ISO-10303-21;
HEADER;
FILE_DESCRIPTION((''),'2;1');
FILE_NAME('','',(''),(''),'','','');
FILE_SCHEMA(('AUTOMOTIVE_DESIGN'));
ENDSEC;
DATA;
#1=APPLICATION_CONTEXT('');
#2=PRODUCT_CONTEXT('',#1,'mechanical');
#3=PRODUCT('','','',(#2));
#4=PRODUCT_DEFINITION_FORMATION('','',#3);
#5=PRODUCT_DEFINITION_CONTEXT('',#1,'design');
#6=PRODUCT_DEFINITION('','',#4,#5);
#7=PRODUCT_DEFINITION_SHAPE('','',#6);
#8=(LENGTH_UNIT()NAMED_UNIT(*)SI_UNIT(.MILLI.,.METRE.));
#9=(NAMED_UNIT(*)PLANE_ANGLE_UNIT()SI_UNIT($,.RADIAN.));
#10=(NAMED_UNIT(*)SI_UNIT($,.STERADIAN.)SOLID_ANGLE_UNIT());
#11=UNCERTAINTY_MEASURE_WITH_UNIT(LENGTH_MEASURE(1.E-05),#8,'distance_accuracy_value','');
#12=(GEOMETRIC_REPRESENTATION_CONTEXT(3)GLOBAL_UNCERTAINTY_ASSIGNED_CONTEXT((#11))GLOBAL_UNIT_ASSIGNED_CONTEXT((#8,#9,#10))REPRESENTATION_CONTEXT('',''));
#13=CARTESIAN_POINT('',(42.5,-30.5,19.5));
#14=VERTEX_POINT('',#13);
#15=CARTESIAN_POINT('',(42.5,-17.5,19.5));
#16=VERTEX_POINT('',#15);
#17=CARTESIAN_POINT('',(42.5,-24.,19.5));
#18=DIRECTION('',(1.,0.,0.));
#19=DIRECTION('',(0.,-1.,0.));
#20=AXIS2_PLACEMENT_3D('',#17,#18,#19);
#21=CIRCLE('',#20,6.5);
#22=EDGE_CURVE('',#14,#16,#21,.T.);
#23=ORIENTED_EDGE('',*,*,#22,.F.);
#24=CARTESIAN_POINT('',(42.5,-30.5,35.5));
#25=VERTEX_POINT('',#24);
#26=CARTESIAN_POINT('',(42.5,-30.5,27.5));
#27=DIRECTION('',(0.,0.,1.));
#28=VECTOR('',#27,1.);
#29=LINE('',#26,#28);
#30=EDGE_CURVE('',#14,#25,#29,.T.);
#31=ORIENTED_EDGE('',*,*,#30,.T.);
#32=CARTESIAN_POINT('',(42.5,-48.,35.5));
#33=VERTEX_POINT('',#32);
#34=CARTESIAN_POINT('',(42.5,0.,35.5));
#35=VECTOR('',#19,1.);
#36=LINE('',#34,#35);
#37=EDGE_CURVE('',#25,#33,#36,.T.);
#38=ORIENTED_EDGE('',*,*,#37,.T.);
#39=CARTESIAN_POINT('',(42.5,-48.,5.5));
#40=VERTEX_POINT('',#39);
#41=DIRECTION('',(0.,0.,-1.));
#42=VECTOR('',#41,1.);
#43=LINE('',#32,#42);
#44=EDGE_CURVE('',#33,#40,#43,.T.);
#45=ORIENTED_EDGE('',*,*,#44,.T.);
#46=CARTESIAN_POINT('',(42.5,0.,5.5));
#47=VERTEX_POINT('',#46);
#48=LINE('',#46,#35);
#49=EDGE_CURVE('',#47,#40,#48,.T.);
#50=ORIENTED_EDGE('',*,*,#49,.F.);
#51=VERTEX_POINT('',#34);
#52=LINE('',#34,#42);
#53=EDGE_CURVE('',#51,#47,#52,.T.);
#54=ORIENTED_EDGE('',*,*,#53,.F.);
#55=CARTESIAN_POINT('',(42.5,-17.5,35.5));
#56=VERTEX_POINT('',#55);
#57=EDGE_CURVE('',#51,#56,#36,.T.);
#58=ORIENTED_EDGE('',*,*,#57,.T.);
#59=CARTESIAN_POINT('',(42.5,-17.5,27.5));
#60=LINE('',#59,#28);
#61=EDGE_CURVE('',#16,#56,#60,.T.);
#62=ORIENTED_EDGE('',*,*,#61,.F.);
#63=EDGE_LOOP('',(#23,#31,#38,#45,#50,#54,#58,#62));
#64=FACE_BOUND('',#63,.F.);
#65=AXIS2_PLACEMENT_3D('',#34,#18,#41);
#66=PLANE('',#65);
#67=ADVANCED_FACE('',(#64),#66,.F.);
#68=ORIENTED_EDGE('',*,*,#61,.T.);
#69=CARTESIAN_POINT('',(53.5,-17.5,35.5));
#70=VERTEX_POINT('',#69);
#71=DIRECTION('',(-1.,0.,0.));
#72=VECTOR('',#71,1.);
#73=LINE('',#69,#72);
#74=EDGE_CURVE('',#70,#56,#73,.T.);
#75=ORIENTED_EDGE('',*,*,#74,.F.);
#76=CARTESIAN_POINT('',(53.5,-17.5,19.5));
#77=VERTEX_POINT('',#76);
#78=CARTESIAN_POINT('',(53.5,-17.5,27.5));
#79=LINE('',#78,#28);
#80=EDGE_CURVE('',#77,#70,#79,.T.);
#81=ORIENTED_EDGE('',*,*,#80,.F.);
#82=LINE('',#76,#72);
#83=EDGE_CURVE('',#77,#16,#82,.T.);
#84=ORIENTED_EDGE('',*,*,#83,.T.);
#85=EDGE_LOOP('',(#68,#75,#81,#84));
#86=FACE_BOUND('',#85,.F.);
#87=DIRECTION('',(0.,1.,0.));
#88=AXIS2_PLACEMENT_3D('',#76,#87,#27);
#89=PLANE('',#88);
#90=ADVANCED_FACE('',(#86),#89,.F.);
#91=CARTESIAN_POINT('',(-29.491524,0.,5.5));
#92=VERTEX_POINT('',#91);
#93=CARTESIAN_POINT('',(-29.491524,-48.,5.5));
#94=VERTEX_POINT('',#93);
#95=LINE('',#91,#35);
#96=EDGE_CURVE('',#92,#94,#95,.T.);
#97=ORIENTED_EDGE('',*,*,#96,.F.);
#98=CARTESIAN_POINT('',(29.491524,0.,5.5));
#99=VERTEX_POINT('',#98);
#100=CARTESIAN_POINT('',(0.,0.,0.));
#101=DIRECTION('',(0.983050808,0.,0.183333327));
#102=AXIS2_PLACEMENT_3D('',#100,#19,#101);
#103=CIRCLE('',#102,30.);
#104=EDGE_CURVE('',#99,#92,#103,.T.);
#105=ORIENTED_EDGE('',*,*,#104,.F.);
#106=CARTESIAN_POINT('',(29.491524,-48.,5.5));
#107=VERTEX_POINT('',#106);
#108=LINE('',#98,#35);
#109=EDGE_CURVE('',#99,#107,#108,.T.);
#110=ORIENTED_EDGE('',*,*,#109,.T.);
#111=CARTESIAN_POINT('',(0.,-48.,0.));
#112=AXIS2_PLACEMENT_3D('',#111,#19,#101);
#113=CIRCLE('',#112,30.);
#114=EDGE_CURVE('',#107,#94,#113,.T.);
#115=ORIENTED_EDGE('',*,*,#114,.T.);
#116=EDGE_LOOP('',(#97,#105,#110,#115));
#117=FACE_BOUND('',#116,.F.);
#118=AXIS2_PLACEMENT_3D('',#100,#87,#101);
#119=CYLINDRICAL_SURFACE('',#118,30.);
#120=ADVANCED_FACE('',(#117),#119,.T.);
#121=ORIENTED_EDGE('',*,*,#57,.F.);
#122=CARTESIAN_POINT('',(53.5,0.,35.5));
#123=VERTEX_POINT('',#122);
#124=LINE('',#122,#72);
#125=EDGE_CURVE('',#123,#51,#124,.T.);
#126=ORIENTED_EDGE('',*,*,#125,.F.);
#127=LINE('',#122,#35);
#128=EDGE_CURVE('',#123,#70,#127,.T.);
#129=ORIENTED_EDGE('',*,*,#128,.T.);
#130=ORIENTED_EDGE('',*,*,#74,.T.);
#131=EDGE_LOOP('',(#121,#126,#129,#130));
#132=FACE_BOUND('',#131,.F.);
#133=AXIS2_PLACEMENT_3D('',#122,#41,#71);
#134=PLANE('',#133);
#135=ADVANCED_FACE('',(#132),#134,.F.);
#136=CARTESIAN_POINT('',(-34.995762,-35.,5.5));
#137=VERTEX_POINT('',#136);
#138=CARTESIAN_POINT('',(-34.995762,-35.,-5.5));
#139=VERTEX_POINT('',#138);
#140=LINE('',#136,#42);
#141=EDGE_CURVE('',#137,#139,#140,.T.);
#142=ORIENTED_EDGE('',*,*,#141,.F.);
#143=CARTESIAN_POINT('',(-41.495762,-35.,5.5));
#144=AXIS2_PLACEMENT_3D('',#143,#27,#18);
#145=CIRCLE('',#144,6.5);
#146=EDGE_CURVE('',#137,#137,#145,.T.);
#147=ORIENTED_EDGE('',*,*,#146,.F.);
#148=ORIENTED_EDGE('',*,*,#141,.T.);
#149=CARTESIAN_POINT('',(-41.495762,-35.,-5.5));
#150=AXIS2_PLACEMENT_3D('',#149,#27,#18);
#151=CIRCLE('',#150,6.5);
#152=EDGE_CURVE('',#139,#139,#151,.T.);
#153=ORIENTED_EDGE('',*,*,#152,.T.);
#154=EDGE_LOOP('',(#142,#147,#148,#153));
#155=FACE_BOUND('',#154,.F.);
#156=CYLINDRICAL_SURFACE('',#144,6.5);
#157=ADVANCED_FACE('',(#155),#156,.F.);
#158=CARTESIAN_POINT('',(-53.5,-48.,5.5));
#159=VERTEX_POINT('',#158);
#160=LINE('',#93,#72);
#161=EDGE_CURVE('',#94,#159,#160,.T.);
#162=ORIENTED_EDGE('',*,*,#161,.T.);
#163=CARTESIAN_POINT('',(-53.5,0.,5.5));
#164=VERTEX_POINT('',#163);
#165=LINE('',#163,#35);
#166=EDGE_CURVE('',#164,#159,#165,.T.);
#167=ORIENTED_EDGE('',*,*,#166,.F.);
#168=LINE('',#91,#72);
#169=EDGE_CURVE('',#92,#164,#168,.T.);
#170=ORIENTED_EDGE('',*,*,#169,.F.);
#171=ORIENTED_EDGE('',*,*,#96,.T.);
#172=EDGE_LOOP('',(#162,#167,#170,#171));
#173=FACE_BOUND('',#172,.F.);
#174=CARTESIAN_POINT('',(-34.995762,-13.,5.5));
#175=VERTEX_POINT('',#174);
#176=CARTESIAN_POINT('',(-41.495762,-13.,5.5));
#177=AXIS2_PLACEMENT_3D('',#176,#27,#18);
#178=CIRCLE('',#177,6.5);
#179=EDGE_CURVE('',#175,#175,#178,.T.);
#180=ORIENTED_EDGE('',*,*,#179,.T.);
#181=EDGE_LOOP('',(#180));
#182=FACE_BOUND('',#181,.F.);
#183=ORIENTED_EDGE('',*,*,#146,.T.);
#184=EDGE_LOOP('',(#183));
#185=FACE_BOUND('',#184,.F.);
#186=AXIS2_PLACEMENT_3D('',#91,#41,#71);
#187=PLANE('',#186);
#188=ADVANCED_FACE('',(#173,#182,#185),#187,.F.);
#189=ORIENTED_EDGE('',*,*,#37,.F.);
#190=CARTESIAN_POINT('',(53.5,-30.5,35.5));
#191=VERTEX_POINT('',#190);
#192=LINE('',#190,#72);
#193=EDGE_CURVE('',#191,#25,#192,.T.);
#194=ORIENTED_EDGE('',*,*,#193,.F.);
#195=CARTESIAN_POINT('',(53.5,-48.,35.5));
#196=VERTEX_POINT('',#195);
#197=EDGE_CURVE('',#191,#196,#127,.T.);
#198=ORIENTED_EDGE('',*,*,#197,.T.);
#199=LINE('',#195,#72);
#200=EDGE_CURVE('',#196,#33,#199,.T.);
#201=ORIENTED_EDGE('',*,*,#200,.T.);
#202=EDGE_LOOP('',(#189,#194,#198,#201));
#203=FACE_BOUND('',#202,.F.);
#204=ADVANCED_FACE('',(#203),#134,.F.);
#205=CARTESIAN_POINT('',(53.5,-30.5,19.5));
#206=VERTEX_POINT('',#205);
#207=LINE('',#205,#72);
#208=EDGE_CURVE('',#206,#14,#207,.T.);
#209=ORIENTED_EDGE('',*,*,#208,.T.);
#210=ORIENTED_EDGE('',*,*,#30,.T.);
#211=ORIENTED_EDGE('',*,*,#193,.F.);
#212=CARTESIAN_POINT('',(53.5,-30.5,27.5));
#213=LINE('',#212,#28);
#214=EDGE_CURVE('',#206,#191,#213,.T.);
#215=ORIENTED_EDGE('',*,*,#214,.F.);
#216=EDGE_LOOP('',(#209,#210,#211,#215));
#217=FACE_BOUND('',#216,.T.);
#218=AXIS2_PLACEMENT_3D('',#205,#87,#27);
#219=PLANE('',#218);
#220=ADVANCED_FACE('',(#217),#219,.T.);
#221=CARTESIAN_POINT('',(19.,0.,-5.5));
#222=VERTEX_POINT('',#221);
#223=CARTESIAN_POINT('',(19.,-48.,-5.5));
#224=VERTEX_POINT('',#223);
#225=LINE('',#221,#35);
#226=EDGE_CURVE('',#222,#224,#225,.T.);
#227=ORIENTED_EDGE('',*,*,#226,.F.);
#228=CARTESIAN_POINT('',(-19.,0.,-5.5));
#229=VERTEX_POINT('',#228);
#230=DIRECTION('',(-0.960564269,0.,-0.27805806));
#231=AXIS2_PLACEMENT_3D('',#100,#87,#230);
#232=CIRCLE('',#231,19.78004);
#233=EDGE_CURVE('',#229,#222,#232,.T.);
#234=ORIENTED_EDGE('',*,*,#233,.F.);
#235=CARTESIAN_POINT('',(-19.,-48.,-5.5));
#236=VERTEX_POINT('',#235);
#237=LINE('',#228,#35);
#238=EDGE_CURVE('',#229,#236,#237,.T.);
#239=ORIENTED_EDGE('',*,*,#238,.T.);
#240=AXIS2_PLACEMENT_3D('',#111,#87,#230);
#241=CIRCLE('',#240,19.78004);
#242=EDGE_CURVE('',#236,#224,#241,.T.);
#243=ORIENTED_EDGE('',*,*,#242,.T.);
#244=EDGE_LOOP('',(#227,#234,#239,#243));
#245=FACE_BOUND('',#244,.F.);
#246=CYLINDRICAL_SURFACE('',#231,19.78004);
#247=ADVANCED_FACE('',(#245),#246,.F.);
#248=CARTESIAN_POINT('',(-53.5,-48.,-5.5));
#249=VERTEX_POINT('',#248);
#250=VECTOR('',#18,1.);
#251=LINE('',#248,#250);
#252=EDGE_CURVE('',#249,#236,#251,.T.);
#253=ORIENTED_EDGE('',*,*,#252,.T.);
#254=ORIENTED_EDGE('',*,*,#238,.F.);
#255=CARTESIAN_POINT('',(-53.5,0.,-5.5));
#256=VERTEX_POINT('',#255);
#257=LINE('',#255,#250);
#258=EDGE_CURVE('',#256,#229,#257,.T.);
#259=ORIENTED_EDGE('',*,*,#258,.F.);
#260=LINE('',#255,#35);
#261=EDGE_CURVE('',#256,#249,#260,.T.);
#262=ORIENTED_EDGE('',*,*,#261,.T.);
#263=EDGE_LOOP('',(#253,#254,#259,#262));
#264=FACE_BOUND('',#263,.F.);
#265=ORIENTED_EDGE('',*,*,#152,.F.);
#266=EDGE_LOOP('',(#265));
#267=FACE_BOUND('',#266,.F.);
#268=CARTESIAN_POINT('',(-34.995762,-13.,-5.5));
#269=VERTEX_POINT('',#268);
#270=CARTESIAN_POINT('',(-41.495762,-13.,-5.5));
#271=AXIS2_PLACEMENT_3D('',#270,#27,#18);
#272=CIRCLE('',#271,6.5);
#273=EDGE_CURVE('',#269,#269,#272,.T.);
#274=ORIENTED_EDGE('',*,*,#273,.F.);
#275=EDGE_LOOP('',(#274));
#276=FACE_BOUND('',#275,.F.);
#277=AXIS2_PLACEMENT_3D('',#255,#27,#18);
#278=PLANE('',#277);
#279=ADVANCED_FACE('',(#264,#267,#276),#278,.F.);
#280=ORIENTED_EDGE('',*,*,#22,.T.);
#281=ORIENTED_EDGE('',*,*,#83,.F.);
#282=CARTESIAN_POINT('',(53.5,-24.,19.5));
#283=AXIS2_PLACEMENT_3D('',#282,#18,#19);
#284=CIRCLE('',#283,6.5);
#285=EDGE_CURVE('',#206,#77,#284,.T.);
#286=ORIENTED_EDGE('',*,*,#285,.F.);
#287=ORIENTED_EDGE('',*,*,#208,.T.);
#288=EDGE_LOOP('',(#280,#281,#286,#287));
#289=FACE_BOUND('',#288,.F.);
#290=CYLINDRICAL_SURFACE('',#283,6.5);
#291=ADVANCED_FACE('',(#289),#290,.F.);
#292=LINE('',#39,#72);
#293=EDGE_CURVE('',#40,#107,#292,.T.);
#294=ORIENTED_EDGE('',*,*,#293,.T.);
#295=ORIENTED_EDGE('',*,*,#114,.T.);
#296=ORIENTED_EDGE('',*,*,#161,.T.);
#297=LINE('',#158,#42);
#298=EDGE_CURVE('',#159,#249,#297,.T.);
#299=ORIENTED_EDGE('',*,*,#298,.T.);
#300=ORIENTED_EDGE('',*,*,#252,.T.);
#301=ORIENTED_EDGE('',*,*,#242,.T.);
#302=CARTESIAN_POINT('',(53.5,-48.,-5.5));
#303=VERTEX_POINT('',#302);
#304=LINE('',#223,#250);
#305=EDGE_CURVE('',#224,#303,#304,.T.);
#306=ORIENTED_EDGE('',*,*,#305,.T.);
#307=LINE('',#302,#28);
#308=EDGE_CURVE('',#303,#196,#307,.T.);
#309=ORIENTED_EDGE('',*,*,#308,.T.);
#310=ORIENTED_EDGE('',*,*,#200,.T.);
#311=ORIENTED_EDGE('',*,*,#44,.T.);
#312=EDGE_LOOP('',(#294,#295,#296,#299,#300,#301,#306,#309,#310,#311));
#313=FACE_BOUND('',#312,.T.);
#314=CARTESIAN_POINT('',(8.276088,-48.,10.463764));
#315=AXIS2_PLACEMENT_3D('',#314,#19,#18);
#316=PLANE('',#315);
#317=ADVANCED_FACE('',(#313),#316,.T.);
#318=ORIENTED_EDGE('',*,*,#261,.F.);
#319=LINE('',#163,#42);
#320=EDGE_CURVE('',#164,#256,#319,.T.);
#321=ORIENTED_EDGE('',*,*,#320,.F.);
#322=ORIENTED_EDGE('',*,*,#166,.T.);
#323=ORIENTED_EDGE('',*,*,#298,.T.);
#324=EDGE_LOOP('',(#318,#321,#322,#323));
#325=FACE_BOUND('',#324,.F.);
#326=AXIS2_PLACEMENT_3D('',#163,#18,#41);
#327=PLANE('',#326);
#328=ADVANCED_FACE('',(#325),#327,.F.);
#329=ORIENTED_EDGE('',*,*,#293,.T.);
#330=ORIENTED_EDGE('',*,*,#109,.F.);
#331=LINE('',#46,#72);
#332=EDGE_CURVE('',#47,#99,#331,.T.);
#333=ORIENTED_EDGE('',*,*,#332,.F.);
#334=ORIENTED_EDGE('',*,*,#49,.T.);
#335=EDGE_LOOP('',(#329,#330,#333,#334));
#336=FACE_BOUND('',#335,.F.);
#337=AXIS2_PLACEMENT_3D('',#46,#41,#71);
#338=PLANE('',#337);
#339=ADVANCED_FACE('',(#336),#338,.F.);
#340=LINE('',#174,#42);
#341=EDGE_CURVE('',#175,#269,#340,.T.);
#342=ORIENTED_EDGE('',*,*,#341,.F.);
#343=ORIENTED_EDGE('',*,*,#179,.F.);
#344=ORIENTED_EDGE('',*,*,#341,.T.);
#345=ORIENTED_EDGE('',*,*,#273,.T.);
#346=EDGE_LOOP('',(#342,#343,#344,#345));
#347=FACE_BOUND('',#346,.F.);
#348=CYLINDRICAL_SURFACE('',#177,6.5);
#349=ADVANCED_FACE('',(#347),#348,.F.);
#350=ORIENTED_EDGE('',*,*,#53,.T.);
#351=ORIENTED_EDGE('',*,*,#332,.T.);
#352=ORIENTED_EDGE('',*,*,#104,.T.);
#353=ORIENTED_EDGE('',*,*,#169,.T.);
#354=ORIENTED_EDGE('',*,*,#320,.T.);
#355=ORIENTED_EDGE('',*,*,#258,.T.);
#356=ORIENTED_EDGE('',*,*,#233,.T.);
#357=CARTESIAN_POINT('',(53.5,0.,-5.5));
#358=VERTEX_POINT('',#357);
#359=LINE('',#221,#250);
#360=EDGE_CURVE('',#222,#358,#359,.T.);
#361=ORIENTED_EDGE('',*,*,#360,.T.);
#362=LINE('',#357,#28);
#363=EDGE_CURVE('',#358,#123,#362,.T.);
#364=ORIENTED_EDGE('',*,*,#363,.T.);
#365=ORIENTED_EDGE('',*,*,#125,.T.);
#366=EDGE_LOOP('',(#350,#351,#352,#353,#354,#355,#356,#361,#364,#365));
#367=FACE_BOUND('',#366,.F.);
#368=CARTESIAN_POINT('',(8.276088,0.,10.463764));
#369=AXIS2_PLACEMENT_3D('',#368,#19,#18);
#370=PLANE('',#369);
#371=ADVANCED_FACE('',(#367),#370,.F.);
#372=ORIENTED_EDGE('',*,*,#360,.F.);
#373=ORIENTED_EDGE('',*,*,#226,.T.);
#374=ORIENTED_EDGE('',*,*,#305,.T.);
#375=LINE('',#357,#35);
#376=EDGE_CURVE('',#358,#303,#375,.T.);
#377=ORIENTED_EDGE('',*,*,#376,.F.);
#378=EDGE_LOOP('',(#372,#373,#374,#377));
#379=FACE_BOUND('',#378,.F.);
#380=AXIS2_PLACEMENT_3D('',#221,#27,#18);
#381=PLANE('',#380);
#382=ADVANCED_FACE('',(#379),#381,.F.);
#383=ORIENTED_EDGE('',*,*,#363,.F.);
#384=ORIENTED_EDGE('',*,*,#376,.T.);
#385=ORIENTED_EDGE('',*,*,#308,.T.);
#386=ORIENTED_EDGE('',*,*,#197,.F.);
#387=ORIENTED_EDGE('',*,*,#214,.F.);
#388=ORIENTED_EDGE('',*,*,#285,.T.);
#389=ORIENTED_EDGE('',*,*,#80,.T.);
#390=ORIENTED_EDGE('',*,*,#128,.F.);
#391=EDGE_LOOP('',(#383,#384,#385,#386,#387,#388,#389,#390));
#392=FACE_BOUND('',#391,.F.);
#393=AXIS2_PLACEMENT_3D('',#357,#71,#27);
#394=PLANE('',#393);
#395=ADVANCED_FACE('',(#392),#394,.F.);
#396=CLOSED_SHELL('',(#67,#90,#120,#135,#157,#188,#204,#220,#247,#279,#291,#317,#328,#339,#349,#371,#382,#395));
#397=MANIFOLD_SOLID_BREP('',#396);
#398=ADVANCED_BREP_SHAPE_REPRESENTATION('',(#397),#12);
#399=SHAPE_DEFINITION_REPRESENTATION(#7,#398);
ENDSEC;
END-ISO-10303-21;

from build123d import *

# Parameters (mm, degrees)
F1_DEPTH = 48
F2_R     = 6.5
F3_DEPTH = 11
F5_W     = 13
F5_H     = 16
F6_DEPTH = 12


with BuildPart() as f1:
    # F0 (on Front) → F1 (new body)
    with BuildSketch(Plane.XZ):
        with BuildLine():
            ThreePointArc((-19, -5.5), (0, 19.78004), (19, -5.5))
            Line((19, -5.5), (53.5, -5.5))
            Line((53.5, -5.5), (53.5, 5.5))
            Line((53.5, 5.5), (53.5, 35.5))
            Line((53.5, 35.5), (42.5, 35.5))
            Line((42.5, 35.5), (42.5, 5.5))
            Line((42.5, 5.5), (29.491524, 5.5))
            ThreePointArc((29.491524, 5.5), (0, 30), (-29.491524, 5.5))
            Line((-29.491524, 5.5), (-53.5, 5.5))
            Line((-53.5, 5.5), (-53.5, -5.5))
            Line((-53.5, -5.5), (-19, -5.5))
        make_face()
    extrude(amount=F1_DEPTH)

    # F2 (on face) → F3 (cut)
    with BuildSketch(Plane.XY.offset(5.5)):
        with Locations((-41.495762, -35)):
            Circle(F2_R)
        with Locations((-41.495762, -13)):
            Circle(F2_R)
    extrude(amount=-F3_DEPTH, mode=Mode.SUBTRACT)

    # F5 (on face) → F6 (cut)
    with BuildSketch(Plane.YZ.offset(53.5)):
        with BuildLine():
            Line((-17.5, 19.5), (-30.5, 19.5))
            ThreePointArc((-30.5, 19.5), (-24, 13), (-17.5, 19.5))
        make_face()
        with Locations((-24, 27.5)):
            Rectangle(F5_W, F5_H)
    extrude(amount=-F6_DEPTH, mode=Mode.SUBTRACT)


solid = f1.part
